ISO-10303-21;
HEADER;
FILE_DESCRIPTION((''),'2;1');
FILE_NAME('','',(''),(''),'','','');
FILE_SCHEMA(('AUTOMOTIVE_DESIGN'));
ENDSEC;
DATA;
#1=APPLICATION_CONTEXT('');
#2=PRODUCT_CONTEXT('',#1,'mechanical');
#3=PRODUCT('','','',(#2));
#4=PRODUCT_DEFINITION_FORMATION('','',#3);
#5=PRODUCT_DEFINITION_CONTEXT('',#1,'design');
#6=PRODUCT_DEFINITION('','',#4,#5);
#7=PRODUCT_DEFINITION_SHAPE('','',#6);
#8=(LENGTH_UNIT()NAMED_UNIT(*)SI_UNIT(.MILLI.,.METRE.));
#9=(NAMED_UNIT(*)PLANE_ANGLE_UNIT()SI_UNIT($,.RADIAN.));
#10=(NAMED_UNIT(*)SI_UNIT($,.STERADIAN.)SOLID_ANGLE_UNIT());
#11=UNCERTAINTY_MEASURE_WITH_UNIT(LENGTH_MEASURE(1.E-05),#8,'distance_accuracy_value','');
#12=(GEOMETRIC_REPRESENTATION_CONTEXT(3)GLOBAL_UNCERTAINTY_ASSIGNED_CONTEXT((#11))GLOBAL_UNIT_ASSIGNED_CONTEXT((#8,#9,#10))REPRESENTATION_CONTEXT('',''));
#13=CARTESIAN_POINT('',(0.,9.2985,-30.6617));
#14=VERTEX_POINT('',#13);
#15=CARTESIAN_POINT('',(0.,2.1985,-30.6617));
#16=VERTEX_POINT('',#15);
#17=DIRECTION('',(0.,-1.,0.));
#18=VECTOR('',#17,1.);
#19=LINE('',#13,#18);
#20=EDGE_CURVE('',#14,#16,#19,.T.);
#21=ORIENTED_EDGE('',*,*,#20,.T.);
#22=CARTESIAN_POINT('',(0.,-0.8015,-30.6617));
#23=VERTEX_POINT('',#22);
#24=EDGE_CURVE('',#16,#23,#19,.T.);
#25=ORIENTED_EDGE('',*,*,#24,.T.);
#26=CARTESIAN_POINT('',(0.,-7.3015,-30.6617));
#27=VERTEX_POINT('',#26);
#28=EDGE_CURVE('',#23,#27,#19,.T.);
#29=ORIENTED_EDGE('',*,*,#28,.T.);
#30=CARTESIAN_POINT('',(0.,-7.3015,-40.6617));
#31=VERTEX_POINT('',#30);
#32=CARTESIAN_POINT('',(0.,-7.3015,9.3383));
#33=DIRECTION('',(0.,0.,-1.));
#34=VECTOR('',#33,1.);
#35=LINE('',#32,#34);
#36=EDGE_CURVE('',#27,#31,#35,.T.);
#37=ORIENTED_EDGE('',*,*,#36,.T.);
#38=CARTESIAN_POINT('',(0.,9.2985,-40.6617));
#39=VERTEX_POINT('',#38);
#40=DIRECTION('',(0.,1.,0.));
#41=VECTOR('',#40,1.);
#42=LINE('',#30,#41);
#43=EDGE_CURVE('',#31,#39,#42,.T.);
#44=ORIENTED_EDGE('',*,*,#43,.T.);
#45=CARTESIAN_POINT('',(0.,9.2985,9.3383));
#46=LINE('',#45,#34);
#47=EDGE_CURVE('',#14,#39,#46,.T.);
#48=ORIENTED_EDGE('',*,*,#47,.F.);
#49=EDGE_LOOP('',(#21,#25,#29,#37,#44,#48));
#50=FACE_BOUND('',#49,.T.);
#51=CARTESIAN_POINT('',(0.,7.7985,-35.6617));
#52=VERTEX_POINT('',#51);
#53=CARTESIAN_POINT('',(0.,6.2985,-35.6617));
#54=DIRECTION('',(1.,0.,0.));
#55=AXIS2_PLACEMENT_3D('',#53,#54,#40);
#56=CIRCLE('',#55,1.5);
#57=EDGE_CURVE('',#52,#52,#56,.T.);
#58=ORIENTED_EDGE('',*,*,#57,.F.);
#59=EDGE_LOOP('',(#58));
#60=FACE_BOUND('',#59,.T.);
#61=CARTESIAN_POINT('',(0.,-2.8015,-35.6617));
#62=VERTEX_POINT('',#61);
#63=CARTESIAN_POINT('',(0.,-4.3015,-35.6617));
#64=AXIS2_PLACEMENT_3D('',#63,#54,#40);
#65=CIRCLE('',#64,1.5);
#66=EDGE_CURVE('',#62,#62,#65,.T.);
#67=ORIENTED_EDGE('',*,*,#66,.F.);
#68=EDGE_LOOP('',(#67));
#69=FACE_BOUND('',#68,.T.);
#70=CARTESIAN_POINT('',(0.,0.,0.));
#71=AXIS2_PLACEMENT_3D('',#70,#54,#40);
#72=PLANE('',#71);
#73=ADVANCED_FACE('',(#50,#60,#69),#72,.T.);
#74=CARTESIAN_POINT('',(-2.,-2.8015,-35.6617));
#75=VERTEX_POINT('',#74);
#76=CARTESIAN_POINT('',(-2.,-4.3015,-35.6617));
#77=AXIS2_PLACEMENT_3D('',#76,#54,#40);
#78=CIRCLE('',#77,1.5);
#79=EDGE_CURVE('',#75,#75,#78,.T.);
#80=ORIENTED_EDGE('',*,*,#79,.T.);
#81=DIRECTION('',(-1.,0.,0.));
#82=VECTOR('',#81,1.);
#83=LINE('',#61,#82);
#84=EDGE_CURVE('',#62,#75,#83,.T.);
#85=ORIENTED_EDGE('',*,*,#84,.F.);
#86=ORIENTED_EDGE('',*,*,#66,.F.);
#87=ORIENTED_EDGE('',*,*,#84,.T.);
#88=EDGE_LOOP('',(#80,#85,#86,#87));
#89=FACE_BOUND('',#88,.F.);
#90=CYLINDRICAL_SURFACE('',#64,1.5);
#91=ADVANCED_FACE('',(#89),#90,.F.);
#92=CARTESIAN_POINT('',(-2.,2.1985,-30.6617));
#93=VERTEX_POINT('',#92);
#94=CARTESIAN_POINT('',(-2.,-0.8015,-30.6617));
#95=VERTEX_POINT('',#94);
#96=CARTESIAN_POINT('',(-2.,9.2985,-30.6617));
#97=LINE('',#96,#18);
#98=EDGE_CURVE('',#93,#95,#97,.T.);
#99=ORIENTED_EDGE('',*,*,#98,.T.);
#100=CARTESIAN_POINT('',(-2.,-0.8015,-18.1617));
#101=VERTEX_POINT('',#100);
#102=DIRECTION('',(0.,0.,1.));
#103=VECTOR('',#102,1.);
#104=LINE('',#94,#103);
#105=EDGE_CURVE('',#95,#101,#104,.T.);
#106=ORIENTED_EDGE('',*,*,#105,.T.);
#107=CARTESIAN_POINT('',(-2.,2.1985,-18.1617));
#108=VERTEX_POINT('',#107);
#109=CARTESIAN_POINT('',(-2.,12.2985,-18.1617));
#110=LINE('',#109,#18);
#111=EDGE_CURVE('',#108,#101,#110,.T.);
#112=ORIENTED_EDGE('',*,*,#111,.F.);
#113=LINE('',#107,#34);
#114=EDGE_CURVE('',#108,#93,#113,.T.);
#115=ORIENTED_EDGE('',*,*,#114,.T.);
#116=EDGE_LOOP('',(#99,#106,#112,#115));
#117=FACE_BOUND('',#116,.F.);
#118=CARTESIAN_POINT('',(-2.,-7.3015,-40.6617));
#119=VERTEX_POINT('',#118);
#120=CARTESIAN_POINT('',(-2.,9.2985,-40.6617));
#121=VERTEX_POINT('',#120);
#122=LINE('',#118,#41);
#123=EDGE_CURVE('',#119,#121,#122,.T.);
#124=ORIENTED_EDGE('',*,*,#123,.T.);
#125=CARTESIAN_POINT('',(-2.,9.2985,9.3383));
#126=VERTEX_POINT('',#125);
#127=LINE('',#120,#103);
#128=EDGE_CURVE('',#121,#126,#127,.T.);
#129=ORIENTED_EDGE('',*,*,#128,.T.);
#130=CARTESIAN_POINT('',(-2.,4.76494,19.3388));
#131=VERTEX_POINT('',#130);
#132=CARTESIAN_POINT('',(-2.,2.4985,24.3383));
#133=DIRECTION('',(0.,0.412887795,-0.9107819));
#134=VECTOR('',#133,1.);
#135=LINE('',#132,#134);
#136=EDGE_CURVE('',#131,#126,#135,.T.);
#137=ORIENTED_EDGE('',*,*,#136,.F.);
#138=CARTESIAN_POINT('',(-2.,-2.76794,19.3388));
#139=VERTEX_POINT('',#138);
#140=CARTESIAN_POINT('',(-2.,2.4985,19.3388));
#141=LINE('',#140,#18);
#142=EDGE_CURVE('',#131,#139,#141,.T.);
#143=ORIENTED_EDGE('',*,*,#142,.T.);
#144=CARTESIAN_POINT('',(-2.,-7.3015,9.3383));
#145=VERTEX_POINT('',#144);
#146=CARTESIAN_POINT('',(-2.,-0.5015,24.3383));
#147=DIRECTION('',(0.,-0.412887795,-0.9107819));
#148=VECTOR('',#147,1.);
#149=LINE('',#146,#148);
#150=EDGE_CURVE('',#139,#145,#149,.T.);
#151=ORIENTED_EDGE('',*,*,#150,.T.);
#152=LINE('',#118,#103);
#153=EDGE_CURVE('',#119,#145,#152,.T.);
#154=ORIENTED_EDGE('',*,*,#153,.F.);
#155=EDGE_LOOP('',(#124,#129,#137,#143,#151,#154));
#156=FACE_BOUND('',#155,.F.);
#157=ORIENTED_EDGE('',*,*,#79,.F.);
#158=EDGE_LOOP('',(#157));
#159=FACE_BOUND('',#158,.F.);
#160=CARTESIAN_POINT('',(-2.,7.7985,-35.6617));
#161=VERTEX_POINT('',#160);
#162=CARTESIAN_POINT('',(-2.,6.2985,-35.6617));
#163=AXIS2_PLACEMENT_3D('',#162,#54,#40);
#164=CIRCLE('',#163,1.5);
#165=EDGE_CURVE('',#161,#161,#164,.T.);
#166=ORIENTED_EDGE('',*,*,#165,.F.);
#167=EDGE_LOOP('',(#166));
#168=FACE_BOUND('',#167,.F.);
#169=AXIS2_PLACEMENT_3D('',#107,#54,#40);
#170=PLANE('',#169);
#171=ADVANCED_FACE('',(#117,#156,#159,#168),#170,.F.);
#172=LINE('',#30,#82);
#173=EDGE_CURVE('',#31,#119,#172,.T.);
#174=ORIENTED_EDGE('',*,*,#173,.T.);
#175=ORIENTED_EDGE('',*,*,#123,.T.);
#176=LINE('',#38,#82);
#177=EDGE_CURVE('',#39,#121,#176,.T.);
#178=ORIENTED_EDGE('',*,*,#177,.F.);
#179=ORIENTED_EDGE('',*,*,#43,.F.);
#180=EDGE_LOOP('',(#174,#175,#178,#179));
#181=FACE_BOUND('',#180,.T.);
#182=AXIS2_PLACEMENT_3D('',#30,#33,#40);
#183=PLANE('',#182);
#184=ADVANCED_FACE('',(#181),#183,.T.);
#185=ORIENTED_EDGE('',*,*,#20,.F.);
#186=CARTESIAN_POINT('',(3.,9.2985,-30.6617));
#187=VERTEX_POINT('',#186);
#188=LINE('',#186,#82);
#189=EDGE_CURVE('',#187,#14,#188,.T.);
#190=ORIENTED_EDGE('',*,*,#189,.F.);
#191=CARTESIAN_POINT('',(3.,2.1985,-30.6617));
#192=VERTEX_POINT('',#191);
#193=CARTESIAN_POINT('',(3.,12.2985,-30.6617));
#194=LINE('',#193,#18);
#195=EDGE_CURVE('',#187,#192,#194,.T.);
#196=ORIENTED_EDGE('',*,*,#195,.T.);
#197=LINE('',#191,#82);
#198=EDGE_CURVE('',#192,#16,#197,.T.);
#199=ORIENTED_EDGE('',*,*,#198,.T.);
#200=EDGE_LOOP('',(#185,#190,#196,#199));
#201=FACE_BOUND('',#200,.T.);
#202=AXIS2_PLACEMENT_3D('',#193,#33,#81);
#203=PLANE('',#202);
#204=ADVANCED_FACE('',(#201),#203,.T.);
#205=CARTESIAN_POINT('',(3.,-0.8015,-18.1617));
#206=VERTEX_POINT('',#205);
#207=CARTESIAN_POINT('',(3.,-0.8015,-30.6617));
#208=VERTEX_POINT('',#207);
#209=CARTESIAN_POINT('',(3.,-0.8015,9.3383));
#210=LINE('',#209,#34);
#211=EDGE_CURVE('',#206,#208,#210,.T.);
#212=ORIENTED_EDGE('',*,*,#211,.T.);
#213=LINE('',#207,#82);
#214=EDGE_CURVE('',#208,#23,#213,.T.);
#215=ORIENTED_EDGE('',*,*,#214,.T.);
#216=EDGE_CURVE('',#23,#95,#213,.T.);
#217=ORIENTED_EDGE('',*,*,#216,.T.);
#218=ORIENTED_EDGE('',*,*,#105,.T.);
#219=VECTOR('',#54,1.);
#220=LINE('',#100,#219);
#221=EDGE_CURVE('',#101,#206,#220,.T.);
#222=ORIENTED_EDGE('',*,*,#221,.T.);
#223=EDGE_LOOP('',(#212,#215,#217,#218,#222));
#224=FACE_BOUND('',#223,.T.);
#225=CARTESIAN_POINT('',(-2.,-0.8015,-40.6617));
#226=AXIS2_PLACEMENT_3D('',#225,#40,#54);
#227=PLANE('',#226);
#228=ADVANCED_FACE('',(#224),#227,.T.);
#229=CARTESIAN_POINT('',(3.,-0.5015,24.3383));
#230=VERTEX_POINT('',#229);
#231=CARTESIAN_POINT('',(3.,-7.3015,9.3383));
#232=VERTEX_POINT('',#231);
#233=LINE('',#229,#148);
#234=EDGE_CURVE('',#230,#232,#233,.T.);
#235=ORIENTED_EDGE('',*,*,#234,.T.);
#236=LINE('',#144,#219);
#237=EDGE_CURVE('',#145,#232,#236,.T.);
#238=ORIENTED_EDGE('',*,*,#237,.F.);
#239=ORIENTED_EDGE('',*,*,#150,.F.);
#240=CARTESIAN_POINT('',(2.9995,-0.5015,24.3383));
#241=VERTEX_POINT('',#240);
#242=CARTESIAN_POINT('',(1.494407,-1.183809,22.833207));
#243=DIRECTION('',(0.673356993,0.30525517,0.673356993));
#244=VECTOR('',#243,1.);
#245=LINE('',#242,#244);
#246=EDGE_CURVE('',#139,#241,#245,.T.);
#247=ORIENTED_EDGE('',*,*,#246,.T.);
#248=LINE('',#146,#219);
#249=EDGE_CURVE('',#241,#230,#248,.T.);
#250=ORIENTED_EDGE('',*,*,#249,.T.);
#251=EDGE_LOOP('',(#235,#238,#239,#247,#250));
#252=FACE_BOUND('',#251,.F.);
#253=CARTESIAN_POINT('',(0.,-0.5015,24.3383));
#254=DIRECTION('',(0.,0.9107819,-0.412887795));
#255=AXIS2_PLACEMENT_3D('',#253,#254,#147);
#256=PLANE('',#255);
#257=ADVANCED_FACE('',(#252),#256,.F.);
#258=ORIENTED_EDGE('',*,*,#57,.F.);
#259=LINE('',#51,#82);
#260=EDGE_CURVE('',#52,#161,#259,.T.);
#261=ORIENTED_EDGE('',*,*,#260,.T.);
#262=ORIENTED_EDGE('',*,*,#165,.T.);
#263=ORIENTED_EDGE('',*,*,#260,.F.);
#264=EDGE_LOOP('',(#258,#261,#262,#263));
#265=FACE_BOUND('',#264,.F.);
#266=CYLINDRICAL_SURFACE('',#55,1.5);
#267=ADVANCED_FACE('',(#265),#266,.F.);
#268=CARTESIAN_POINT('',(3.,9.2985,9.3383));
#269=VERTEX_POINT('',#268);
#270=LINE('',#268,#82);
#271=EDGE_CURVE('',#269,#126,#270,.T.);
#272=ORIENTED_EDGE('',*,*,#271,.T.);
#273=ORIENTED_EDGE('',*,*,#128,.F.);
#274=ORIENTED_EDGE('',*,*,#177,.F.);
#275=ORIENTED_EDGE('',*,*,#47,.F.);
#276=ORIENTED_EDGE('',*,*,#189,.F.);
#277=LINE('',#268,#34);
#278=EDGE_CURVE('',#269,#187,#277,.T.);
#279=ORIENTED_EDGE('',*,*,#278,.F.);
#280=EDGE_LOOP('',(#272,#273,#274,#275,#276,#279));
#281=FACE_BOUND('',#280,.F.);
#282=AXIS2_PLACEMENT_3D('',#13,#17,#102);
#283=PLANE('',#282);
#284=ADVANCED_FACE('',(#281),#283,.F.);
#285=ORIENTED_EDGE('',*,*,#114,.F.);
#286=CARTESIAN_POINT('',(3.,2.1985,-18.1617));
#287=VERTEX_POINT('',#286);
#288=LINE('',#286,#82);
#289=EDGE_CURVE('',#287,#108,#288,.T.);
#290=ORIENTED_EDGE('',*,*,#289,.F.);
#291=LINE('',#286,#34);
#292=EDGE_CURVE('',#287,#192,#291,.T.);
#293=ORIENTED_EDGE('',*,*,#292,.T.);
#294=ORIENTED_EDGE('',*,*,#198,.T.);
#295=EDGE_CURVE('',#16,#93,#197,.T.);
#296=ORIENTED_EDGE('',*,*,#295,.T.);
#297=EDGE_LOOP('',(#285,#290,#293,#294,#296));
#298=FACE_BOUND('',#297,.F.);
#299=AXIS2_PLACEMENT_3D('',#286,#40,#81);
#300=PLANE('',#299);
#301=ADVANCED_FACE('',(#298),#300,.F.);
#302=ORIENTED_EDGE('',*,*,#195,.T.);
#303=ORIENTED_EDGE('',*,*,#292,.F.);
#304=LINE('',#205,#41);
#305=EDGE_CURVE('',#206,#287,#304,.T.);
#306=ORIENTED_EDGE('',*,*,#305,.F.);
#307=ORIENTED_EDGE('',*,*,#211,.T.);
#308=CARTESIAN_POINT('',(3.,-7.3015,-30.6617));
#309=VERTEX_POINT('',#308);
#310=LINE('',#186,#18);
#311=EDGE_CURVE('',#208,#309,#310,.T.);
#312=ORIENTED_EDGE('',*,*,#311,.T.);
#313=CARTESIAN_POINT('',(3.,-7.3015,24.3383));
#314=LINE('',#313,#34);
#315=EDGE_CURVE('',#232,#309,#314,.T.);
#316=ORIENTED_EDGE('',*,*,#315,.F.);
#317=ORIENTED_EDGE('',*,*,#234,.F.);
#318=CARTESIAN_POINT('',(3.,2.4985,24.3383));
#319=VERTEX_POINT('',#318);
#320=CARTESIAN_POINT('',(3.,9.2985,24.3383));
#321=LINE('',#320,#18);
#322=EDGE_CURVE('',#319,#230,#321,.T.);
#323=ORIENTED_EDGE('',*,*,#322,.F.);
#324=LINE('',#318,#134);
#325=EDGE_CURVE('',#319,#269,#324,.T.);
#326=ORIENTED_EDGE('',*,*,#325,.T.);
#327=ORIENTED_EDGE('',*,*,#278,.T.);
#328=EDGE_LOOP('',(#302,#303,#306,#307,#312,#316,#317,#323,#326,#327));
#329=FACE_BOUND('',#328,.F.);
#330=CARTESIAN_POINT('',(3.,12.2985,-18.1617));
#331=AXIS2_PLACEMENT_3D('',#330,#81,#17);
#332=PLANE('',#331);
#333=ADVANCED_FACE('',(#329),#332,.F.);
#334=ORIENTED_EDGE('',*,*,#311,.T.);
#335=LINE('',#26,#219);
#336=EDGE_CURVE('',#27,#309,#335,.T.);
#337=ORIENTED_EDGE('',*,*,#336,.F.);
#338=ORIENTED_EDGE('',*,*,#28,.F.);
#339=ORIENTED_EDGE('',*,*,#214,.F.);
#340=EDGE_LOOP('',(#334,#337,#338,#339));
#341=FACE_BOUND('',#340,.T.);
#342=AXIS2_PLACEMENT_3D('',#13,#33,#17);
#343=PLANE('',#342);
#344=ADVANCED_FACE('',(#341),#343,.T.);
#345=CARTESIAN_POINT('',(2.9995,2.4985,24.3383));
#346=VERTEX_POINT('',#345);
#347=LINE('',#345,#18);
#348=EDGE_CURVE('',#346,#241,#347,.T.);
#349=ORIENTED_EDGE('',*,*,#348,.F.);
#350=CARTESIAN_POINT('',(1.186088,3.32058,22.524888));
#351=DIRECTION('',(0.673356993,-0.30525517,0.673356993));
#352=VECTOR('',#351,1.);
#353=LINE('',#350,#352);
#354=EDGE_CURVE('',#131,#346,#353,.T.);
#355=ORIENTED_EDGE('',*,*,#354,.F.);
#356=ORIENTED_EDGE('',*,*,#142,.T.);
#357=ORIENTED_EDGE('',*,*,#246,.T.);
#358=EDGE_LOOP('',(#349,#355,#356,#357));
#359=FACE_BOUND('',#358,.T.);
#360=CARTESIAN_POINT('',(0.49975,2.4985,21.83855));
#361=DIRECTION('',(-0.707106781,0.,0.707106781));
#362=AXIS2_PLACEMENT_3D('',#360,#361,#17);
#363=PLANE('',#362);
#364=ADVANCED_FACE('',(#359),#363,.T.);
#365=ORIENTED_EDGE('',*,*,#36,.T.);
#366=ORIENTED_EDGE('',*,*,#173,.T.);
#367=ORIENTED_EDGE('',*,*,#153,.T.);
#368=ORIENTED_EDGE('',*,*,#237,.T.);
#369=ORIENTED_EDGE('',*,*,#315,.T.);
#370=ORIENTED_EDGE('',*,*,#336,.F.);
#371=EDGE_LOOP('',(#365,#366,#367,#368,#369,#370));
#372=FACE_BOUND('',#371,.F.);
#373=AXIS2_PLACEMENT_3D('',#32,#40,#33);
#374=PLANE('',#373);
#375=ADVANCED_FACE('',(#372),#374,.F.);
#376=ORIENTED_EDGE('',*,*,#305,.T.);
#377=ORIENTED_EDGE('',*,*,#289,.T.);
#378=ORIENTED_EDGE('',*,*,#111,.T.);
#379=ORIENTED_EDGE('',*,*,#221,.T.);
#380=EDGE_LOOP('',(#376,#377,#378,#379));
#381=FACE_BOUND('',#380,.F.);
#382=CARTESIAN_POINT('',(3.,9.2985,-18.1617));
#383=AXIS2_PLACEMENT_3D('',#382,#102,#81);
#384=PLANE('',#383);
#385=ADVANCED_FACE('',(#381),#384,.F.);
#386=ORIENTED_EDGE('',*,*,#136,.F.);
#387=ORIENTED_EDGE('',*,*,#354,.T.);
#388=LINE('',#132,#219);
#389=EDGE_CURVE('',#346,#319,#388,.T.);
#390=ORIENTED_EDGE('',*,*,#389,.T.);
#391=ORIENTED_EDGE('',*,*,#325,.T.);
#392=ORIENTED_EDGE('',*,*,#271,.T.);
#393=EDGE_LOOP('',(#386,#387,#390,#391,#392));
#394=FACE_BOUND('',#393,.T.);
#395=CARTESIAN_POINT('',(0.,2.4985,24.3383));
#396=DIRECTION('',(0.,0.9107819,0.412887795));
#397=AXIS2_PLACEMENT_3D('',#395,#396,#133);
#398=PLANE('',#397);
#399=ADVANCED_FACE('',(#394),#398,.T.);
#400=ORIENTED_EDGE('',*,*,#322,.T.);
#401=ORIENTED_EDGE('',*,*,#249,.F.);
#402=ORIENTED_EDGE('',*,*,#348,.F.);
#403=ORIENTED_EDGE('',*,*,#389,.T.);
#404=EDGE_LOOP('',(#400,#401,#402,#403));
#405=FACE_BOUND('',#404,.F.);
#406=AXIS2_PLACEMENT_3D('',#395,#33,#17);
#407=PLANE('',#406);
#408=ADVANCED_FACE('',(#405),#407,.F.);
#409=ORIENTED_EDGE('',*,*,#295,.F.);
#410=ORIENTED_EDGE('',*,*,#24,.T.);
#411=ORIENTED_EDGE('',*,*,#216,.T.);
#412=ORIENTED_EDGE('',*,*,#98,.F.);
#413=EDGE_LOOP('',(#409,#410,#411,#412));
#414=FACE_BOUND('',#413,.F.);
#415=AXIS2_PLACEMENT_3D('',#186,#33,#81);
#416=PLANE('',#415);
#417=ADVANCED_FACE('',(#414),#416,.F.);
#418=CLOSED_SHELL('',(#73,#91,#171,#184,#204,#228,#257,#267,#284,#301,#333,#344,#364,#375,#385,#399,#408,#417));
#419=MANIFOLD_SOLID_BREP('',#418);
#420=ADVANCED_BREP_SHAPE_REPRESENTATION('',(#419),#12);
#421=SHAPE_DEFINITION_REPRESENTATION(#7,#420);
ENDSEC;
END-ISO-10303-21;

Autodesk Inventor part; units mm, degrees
ref_plane "YZ Plane" through (0, 0, 0) normal (1, 0, 0) x (0, 1, 0)
ref_plane "XZ Plane" through (0, 0, 0) normal (0, 1, 0) x (-1, 0, 0)
ref_plane "XY Plane" through (0, 0, 0) normal (0, 0, 1) x (1, 0, 0)
sketch "スケッチ1" plane through (0, 0, 0) normal (1, 0, 0) x (0, 1, 0)
  line L0 (9.2985, 24.3383) -> (-7.3015, 24.3383)
  line L1 (-7.3015, 24.3383) -> (-7.3015, -40.6617)
  line L2 (-7.3015, -40.6617) -> (9.2985, -40.6617)
  line L3 (9.2985, -40.6617) -> (9.2985, 24.3383)
  line L4 (-7.3015, -40.6617) -> (9.2985, -40.6617)
  line L5 (9.2985, -40.6617) -> (9.2985, -30.6617)
  line L6 (9.2985, -30.6617) -> (-7.3015, -30.6617)
  line L7 (-7.3015, -30.6617) -> (-7.3015, -40.6617)
  circle A0 centre (6.2985, -35.6617) radius 1.5
  circle A1 centre (-4.3015, -35.6617) radius 1.5
  line L8 (2.4985, 24.3383) -> (9.2985, 9.3383)
  line L9 (-0.5015, 24.3383) -> (-7.3015, 9.3383)
  point P0 (0, 0)
  dimension "d0" = 16.6
  dimension "d1" = 10
  dimension "d2" = 3
  dimension "d3" = 3
  dimension "d4" = 5
  dimension "d5" = 5
  dimension "d6" = 3
  dimension "d7" = 3
  dimension "d8" = 3
  dimension "d9" = 15
  dimension "d10" = 15
  dimension "d11" = 6.8
  dimension "d12" = 6.8
  dimension "d13" = 40
extrude "押し出し1" add sketch "スケッチ1" against normal blind 2 contours L8 L3 L6 L1 L9 L0 | L3 L2 L1 L6
extrude "押し出し2" add sketch "スケッチ1" along normal blind 3 contours L8 L3 L6 L1 L9 L0
sketch "スケッチ2" plane through (-2, 9.2985, -40.6617) normal (0, 1, 0) x (1, 0, 0)
  line L0 (5, -50) -> (5, -10) projected
  line L1 (0, 0) -> (0, -50) projected
  line L2 (5, -10) -> (0, -10)
  line L3 (0, -10) -> (0, -10.7373)
  line L4 (0, -10.7373) -> (5, -10.7373)
  line L5 (5, -10.7373) -> (5, -10)
  line L6 (5, -22.5) -> (0, -22.5)
  line L7 (0, -22.5) -> (0, -27.5)
  line L8 (0, -27.5) -> (5, -27.5)
  line L9 (5, -27.5) -> (5, -22.5)
  point P0 (2, -40.6617)
  dimension "d18" = 12.5
  dimension "d19" = 5
extrude "押し出し3" add sketch "スケッチ2" along normal blind 3 contours L8 L1 L6 L0
chamfer "面取り1" distance 5 angle 45 1 edges at (-2, 0.9985, 24.3383)
sketch "スケッチ3" plane through (-2, 9.2985, -40.6617) normal (0, 1, 0) x (1, 0, 0)
  line L0 (5, -50) -> (5, -10) projected
  line L1 (0, -22.5) -> (5, -22.5)
  line L2 (5, -22.5) -> (5, -10)
  line L3 (5, -10) -> (0, -10)
  line L4 (0, -10) -> (0, -22.5)
  point P0 (2, -40.6617)
extrude "押し出し4" cut sketch "スケッチ3" against normal blind 10.1
sketch "スケッチ4" plane through (3, 12.2985, -18.1617) normal (0, 0, -1) x (-1, 0, 0)
  line L0 (0, 0) -> (5, 0) projected
  line L1 (5, 0) -> (0, 0)
  line L2 (0, 0) -> (0, -10.1)
  line L3 (0, -10.1) -> (5, -10.1)
  line L4 (5, -10.1) -> (5, 0)
  line L5 (0, -13.1) -> (5, -13.1) projected
  point P0 (3, -12.2985)
  dimension "d27" = 3
extrude "押し出し5" add sketch "スケッチ4" along normal blind 12.5
sketch "スケッチ5" plane through (-2, 12.2985, -40.6617) normal (0, 1, 0) x (1, 0, 0)
  line L0 (5, -10) -> (5, -22.5) projected
  line L1 (0, -27.5) -> (0, -10) projected
  line L2 (5, -10) -> (0, -10)
  line L3 (0, -10) -> (0, -27.5)
  line L4 (0, -27.5) -> (5, -27.5)
  line L5 (5, -27.5) -> (5, -10)
  point P0 (2, -40.6617)
extrude "押し出し6" cut sketch "スケッチ5" against normal blind 3
properties part number "armmodulepart1"
